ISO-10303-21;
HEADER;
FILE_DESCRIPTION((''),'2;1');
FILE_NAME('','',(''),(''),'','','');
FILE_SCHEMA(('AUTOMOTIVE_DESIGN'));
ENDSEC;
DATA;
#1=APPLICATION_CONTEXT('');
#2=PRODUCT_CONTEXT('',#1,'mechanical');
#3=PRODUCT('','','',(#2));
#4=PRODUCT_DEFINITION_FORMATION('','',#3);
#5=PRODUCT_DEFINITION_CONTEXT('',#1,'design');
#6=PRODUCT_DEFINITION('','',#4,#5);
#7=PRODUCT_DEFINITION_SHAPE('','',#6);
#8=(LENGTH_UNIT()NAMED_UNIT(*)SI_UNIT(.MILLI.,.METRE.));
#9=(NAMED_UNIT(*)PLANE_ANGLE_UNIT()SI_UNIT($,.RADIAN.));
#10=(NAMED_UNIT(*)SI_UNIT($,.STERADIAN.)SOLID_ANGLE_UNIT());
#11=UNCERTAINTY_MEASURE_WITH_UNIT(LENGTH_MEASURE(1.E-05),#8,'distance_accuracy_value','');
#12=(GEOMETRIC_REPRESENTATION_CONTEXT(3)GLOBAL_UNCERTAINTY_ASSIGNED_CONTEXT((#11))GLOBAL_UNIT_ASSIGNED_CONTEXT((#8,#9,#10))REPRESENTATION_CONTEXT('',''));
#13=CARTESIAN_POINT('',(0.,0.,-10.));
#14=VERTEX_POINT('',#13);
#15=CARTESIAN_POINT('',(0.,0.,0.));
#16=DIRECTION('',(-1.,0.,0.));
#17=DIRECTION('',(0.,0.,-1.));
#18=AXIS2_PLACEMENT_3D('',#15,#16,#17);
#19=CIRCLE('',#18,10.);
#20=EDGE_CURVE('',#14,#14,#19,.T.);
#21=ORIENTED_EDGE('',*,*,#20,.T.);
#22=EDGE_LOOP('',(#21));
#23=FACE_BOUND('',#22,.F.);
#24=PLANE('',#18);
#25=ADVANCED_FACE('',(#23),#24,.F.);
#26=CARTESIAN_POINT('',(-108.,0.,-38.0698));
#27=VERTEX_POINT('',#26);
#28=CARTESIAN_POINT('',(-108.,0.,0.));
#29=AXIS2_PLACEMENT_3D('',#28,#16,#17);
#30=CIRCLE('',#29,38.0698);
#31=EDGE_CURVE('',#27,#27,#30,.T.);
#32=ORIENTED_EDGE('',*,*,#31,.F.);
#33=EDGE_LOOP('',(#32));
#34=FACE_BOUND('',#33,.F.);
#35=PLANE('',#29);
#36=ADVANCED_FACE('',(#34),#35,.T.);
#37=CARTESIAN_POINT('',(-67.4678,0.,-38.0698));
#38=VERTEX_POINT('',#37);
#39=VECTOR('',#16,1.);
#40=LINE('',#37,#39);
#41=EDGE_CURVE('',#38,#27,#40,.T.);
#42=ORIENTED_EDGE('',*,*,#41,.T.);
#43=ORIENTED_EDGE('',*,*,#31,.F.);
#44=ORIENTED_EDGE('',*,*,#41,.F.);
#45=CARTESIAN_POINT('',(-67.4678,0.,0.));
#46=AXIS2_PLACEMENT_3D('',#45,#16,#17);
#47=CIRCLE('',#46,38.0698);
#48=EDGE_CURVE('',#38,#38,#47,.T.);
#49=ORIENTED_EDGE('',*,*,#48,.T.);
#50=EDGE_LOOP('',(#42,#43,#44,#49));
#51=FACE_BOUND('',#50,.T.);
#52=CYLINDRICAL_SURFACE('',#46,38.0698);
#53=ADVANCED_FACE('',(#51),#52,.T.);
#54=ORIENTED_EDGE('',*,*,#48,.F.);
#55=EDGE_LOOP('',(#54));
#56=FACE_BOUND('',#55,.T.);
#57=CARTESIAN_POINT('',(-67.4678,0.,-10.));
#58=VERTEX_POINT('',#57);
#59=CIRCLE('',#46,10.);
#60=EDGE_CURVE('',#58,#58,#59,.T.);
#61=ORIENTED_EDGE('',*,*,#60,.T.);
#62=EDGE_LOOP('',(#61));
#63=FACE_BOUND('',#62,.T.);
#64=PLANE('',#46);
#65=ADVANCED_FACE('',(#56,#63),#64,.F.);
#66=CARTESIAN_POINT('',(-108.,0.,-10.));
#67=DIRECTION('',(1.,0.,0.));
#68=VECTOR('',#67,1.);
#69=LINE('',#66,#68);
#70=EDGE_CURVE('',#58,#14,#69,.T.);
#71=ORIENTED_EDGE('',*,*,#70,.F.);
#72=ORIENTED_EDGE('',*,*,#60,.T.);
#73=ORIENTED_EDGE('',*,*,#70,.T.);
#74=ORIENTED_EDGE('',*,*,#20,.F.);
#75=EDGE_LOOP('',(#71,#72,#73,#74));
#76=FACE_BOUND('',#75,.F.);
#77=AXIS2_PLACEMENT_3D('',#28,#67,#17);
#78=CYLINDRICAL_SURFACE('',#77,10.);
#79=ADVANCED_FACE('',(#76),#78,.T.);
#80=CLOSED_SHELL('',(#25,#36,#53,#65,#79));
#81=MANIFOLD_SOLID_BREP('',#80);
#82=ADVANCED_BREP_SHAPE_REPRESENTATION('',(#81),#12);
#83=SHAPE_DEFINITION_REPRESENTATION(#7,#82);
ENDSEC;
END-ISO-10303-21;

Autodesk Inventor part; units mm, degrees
ref_plane "YZ Plane" through (0, 0, 0) normal (1, 0, 0) x (0, 1, 0)
ref_plane "XZ Plane" through (0, 0, 0) normal (0, 1, 0) x (-1, 0, 0)
ref_plane "XY Plane" through (0, 0, 0) normal (0, 0, 1) x (1, 0, 0)
sketch "草圖1" plane through (0, 0, 0) normal (0, 1, 0) x (-1, 0, 0)
  line L0 (0, 0) -> (108, 0)
  line L1 (108, 0) -> (108, -10)
  line L2 (108, -10) -> (0, -10)
  line L3 (0, -10) -> (0, 0)
  line L4 (108, -10) -> (67.4678, -10)
  line L5 (67.4678, -10) -> (67.4678, -38.0698)
  line L6 (67.4678, -38.0698) -> (108, -38.0698)
  line L7 (108, -38.0698) -> (108, -10)
  dimension "d0" = 108
  dimension "d2" = 10
revolve "迴轉1" add sketch "草圖1" angle 360 about axis through (0, 0, 0) along (-1, 0, 0)
properties part number "模擬配重"
